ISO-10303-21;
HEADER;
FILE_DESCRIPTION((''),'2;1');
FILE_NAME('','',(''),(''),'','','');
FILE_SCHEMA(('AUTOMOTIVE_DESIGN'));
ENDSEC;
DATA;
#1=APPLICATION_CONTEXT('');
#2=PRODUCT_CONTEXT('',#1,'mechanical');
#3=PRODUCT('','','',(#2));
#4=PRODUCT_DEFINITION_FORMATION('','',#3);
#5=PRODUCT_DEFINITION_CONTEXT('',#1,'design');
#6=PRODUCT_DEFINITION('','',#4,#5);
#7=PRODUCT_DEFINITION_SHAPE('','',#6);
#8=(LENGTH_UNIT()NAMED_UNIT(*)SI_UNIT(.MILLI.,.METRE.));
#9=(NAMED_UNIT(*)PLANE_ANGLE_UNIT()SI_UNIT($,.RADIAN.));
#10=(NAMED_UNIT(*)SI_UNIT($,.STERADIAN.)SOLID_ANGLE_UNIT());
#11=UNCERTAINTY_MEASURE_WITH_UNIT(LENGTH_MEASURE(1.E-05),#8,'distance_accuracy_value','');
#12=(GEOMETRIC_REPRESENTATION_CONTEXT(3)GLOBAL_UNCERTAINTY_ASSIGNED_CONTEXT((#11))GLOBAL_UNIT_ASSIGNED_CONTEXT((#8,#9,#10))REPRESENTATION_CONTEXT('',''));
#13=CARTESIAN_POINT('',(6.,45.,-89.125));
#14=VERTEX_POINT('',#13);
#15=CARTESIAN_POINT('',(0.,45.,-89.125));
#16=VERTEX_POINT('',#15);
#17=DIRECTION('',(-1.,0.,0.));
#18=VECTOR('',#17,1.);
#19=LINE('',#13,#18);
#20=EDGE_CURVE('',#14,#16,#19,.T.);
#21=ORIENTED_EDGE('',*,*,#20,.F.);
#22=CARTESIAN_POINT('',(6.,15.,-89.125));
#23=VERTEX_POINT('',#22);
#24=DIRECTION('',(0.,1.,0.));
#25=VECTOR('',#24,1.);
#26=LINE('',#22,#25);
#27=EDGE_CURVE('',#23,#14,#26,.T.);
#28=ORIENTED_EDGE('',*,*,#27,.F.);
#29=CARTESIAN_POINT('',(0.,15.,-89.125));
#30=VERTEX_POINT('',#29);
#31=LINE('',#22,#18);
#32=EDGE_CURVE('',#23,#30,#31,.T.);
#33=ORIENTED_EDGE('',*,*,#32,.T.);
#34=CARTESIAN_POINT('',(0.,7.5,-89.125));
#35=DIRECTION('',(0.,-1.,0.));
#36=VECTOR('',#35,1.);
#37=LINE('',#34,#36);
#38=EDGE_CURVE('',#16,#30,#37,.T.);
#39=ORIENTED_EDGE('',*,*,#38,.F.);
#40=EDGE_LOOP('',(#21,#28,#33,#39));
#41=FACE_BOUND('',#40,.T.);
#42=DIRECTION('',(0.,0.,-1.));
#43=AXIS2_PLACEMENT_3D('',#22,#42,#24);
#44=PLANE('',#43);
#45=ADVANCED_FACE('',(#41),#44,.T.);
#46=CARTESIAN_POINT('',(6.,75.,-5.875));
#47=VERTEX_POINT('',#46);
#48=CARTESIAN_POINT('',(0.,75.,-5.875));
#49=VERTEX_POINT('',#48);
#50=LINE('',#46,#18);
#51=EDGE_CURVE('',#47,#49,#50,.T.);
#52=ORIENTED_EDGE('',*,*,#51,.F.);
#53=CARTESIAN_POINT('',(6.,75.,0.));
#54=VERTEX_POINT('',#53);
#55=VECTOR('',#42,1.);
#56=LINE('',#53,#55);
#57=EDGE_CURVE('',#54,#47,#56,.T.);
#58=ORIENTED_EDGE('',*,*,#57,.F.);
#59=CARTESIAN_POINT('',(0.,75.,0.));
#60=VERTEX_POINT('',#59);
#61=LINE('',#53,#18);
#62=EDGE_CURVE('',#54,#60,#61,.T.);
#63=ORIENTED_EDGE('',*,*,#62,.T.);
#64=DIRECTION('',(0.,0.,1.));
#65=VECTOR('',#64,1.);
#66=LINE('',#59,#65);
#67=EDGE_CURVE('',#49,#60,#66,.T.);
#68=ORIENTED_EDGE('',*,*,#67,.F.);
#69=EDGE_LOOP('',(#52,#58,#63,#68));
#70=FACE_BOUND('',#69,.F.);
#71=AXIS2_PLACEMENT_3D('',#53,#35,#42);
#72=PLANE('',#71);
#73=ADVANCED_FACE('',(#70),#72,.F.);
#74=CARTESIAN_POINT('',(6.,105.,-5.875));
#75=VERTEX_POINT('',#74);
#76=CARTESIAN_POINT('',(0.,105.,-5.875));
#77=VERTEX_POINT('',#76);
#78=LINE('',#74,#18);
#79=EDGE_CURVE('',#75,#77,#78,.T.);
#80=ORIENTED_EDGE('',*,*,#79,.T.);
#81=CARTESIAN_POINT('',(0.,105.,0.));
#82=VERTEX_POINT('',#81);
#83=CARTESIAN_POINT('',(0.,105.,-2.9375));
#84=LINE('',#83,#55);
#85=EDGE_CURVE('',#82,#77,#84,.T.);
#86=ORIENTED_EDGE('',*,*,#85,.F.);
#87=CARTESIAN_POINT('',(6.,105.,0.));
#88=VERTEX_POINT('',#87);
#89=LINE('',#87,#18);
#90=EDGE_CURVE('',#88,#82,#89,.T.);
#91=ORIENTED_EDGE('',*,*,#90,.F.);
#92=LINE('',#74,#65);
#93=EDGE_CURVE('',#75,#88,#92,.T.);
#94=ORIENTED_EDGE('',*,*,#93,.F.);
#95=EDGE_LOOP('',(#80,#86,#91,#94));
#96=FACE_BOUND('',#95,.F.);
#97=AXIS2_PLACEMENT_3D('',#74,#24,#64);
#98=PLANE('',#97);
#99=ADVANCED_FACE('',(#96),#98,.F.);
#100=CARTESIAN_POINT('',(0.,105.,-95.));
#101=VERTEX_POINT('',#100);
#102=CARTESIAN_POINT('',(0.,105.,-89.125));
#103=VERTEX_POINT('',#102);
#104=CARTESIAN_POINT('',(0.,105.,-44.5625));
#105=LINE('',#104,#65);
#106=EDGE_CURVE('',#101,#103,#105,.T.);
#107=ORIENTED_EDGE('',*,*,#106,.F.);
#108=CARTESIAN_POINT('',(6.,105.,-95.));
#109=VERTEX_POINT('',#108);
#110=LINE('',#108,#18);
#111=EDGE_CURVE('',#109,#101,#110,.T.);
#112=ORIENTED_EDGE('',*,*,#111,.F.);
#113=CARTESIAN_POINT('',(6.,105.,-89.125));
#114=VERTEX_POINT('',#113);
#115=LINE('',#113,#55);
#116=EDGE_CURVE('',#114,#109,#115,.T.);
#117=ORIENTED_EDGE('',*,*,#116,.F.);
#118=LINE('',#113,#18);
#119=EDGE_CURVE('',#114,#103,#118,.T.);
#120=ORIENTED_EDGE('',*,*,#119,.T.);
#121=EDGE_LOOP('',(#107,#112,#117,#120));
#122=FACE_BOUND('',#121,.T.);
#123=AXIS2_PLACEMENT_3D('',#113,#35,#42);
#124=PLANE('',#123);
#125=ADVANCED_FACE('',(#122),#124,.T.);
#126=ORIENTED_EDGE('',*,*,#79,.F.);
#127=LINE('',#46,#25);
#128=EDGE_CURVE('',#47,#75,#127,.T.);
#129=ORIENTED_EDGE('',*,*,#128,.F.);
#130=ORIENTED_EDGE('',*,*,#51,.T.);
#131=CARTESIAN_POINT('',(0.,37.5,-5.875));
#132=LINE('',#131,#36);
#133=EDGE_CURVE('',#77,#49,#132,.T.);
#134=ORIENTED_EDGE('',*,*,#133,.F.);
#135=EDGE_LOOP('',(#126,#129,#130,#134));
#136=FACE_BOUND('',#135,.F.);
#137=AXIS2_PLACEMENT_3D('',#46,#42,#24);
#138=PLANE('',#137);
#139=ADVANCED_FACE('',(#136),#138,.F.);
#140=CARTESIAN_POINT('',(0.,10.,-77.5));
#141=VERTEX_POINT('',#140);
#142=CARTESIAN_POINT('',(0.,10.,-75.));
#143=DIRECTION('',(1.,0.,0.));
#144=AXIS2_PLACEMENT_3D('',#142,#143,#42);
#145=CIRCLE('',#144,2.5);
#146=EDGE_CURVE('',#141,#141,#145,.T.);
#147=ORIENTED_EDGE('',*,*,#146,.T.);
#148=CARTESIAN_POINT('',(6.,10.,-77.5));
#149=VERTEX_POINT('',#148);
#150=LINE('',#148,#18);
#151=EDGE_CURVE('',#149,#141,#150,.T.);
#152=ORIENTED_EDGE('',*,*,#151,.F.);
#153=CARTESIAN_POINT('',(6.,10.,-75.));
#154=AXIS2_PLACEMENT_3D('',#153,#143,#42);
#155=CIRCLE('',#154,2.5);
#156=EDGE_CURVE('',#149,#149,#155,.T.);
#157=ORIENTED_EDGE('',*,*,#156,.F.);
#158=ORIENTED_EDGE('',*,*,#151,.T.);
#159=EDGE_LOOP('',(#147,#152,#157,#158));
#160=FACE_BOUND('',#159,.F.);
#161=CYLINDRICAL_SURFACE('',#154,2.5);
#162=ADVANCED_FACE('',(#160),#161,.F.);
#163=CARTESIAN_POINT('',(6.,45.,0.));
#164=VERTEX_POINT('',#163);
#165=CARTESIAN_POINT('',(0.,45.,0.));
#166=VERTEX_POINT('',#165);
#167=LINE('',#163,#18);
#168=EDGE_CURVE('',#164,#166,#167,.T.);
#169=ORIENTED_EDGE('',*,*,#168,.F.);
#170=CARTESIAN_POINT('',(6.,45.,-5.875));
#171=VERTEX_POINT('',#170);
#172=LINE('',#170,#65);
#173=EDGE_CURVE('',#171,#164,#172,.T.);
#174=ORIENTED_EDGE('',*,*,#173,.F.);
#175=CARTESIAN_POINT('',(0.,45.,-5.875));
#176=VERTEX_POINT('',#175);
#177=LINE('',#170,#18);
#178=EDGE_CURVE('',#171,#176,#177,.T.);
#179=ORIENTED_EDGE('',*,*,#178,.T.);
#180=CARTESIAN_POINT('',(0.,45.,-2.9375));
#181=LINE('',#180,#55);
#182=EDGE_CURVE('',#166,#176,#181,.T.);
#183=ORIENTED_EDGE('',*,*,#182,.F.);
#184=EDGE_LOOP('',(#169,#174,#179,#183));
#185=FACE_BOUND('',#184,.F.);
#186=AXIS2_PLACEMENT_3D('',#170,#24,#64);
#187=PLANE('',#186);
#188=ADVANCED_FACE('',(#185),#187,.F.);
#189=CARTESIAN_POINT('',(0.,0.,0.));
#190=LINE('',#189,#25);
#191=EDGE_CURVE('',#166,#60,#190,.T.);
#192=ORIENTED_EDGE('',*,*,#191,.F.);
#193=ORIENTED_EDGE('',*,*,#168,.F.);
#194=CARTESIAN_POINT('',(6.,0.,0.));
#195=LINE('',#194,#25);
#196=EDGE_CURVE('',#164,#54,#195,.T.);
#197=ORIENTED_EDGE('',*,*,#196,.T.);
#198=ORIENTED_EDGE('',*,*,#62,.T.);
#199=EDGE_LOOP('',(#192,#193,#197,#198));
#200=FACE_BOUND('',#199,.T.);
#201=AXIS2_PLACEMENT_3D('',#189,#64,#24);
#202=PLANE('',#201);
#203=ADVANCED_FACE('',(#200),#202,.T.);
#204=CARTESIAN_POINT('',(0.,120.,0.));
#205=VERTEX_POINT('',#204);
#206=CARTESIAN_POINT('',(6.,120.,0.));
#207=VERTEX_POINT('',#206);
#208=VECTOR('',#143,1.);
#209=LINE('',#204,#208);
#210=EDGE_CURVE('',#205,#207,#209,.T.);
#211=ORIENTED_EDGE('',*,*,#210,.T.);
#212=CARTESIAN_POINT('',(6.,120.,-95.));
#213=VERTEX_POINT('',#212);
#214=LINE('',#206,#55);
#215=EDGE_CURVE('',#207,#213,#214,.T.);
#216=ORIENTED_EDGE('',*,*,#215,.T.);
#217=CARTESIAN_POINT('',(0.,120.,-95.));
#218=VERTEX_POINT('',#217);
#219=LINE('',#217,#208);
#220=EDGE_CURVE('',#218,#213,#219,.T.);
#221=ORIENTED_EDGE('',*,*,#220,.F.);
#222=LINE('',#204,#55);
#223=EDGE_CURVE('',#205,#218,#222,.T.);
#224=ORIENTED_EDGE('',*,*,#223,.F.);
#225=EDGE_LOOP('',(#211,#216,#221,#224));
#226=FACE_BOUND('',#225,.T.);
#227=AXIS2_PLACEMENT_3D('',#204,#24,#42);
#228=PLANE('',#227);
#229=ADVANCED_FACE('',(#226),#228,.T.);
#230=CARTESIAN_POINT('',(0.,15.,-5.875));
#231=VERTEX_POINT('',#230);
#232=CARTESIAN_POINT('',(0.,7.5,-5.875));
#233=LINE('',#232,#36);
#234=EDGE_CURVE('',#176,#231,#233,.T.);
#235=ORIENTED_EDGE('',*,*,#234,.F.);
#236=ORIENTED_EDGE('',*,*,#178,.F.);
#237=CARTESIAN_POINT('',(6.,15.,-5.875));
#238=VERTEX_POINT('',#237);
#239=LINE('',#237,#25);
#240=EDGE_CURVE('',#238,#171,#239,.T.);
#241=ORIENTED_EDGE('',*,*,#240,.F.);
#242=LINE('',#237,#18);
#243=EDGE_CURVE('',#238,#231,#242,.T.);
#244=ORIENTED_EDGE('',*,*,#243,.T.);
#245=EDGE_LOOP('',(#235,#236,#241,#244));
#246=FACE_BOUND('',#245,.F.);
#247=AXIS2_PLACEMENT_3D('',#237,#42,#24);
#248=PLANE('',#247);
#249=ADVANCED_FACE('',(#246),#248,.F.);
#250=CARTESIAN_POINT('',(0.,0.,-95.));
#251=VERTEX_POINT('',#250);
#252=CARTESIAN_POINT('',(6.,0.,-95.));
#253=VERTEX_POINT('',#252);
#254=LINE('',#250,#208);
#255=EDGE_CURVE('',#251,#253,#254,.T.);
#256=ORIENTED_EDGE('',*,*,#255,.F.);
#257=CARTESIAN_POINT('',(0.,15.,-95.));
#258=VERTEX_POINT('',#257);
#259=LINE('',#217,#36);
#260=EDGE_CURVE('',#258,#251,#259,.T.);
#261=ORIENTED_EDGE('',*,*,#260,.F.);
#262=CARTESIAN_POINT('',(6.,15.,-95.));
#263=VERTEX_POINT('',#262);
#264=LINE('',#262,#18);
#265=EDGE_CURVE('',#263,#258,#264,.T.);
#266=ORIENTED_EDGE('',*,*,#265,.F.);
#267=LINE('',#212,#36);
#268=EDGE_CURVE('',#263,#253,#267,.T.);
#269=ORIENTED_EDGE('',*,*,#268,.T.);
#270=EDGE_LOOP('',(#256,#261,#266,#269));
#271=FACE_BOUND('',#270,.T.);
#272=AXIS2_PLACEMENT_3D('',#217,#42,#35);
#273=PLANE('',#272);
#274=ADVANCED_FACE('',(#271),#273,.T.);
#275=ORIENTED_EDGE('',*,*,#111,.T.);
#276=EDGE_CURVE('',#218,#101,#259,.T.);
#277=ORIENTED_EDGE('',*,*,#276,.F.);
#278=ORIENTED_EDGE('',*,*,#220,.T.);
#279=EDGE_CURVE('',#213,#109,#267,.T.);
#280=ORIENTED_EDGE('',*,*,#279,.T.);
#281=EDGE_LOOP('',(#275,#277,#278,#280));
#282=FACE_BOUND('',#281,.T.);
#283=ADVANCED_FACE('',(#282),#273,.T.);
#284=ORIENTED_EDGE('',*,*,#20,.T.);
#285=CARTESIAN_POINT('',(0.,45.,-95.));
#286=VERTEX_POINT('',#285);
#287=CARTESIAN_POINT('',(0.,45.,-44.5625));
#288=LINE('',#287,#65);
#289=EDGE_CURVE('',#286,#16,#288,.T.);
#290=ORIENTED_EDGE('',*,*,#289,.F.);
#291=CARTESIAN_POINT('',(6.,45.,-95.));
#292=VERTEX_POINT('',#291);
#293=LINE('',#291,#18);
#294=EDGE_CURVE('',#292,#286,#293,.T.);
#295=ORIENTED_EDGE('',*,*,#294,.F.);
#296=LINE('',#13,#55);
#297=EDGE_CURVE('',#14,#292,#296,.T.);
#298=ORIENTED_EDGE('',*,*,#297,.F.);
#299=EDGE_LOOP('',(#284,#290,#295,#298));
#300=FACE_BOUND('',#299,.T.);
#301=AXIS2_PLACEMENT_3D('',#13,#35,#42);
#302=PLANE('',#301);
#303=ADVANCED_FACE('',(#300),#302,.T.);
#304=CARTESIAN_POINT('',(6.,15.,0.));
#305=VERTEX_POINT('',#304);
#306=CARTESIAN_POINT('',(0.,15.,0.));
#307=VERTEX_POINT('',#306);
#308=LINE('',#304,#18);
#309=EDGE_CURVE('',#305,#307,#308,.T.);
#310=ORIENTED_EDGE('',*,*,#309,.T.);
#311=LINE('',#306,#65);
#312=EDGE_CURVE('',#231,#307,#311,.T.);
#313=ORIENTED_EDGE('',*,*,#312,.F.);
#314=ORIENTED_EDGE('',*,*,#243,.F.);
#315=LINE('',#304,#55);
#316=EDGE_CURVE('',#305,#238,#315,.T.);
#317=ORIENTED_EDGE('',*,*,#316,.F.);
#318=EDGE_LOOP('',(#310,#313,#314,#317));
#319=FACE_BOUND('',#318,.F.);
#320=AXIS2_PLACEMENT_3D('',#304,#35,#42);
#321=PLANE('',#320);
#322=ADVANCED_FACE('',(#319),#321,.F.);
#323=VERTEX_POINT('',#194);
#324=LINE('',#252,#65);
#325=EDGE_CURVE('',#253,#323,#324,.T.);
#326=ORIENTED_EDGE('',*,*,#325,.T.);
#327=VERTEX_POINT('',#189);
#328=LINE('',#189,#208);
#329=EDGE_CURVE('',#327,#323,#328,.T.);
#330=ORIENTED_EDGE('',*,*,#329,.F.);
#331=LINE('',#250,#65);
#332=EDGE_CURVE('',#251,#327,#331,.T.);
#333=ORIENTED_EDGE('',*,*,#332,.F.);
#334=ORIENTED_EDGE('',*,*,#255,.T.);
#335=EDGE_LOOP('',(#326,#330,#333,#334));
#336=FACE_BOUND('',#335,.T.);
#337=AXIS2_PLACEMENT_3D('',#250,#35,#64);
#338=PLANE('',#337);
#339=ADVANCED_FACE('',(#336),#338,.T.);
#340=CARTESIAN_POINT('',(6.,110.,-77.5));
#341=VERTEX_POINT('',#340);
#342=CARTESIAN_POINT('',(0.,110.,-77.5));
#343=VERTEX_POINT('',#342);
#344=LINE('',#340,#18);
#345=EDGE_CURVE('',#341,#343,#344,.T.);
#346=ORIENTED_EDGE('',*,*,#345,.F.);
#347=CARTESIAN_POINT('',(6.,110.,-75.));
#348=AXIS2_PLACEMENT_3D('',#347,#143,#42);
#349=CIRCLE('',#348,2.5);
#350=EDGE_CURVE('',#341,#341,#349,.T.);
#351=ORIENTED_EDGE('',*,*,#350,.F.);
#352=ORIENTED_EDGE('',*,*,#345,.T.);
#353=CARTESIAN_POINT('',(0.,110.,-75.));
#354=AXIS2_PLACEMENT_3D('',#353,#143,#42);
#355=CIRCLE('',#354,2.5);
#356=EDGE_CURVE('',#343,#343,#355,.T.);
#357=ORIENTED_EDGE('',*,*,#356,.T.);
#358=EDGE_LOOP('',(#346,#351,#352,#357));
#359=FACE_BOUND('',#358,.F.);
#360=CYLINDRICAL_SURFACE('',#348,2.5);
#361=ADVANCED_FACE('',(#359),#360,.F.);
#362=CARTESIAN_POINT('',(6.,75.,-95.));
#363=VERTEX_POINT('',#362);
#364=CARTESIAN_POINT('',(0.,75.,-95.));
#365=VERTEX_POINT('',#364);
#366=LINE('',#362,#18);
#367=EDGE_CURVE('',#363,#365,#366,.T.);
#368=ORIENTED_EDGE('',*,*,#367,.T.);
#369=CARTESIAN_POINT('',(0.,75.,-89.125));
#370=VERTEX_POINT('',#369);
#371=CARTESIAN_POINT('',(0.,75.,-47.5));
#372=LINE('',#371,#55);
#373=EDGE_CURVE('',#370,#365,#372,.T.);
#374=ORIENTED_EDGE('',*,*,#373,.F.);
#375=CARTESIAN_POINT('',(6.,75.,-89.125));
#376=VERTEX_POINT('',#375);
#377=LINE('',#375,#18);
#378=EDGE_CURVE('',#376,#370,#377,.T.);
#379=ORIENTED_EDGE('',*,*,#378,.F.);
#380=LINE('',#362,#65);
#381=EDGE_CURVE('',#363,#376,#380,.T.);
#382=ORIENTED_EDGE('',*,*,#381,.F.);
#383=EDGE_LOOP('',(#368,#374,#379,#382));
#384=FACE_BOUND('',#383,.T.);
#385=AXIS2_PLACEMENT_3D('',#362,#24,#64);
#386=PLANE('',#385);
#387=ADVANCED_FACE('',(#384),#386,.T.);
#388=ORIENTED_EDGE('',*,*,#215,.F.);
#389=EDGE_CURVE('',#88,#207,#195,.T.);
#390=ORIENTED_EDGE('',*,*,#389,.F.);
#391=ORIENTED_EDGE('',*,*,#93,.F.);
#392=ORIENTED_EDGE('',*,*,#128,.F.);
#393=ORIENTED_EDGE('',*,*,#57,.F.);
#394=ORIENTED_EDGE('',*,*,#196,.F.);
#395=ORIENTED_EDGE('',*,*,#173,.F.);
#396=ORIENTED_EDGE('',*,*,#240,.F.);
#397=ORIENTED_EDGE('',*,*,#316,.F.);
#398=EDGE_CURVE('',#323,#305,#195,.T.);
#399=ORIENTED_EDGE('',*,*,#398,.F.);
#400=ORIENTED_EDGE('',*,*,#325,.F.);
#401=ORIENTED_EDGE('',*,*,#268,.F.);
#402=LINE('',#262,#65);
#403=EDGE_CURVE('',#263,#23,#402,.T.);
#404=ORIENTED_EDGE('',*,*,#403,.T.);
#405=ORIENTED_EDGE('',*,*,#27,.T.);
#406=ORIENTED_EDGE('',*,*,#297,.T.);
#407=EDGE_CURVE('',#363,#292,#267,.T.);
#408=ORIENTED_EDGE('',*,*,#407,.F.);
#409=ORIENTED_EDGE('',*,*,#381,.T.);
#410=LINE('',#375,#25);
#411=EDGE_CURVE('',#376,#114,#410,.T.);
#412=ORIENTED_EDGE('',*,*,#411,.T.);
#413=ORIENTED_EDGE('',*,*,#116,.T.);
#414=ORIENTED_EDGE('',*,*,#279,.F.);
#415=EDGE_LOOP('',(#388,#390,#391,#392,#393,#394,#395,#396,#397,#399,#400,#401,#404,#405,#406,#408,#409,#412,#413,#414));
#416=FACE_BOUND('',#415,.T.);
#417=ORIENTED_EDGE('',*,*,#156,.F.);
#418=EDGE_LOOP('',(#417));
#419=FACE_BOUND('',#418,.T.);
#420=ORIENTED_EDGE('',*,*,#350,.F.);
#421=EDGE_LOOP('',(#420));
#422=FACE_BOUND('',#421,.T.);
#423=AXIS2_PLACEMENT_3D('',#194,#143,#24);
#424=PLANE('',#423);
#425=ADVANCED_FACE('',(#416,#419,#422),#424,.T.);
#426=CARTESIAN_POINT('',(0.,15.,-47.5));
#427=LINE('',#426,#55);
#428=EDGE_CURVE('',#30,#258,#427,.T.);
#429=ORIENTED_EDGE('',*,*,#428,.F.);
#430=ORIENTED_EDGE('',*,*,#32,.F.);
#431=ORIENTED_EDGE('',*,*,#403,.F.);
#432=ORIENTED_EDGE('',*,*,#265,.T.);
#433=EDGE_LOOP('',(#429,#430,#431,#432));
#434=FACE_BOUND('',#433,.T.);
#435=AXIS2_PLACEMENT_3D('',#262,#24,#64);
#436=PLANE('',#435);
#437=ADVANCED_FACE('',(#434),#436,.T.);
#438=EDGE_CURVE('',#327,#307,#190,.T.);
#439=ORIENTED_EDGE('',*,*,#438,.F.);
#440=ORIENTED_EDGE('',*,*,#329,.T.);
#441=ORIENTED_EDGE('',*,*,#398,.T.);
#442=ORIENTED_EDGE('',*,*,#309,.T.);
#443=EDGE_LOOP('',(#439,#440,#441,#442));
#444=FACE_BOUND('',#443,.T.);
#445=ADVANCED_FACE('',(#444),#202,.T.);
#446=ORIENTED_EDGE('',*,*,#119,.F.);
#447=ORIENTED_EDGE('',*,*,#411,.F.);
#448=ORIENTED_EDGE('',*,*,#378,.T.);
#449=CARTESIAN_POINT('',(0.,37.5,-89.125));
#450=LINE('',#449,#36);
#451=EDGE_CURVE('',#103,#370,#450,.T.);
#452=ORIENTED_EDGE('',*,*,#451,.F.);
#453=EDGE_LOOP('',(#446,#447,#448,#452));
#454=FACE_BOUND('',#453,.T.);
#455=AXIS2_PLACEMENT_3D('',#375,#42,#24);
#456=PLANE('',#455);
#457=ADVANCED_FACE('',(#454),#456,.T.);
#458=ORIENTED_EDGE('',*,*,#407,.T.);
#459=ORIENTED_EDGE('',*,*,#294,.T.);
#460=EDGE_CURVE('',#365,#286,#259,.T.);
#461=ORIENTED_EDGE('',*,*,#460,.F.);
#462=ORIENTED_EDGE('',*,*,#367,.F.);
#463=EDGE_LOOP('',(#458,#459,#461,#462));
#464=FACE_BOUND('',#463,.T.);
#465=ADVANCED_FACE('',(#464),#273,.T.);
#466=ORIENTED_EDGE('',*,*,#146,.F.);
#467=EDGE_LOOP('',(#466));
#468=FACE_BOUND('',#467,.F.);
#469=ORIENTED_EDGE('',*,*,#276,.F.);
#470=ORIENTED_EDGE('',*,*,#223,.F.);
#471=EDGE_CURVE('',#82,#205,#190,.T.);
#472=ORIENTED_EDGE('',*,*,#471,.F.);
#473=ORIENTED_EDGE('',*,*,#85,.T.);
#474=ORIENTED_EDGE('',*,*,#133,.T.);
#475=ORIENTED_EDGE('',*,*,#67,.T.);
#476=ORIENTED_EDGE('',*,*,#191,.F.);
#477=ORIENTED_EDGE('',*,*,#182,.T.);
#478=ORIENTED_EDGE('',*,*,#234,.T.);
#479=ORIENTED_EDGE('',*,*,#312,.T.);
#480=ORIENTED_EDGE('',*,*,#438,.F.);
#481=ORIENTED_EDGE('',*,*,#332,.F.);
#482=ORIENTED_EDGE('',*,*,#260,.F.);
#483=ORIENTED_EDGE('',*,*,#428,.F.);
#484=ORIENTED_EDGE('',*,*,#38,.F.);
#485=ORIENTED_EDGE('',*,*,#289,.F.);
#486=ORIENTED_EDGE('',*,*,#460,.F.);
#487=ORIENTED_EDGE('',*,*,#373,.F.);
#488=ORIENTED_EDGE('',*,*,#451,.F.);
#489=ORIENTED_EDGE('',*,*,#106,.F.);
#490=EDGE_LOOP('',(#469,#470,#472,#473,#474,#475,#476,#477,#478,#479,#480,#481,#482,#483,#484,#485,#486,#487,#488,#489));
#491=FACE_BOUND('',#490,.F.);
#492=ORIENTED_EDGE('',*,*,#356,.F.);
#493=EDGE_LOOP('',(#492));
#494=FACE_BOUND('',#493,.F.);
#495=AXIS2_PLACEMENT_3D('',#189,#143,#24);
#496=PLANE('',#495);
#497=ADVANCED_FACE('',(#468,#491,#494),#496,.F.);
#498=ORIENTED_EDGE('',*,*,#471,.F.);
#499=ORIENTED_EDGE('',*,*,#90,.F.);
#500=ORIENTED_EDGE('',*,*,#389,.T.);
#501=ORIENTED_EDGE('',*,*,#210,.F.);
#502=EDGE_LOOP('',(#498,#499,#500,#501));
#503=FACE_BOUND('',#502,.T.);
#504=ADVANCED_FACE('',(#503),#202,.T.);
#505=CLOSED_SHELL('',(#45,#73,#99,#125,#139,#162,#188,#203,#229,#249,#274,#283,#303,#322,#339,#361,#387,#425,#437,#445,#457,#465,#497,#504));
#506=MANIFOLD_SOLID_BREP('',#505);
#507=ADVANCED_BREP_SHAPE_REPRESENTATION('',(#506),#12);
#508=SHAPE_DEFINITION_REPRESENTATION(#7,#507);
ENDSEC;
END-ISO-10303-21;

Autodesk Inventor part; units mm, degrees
ref_plane "YZ Plane" through (0, 0, 0) normal (1, 0, 0) x (0, 1, 0)
ref_plane "XZ Plane" through (0, 0, 0) normal (0, 1, 0) x (-1, 0, 0)
ref_plane "XY Plane" through (0, 0, 0) normal (0, 0, 1) x (1, 0, 0)
sketch "Sketch1" plane through (0, 0, 0) normal (1, 0, 0) x (0, 1, 0)
  line L0 (0, 0) -> (120, 0)
  line L1 (120, 0) -> (120, -95)
  line L2 (120, -95) -> (0, -95)
  line L3 (0, -95) -> (0, 0)
  dimension "d0" = 120
  dimension "d1" = 95
extrude "Extrusion1" add sketch "Sketch1" along normal blind 6
sketch "Sketch2" plane through (6, 0, 0) normal (1, 0, 0) x (0, 0, -1)
  line L0 (0, 120) -> (0, 0) projected
  line L1 (0, 0) -> (95, 0) projected
  line L2 (95, 0) -> (95, 120) projected
  line L3 (95, 120) -> (0, 120) projected
  line L4 (0, 120) -> (0, 0) projected
  line L5 (0, 15) -> (5.875, 15)
  line L6 (5.875, 15) -> (5.875, 45)
  line L7 (5.875, 45) -> (0, 45)
  line L8 (0, 45) -> (0, 15)
  line L9 (0, 75) -> (5.875, 75)
  line L10 (5.875, 75) -> (5.875, 105)
  line L11 (5.875, 105) -> (0, 105)
  line L12 (0, 105) -> (0, 75)
  line L13 (95, 15) -> (89.125, 15)
  line L14 (89.125, 15) -> (89.125, 45)
  line L15 (89.125, 45) -> (95, 45)
  line L16 (95, 45) -> (95, 15)
  line L17 (95, 75) -> (89.125, 75)
  line L18 (89.125, 75) -> (89.125, 105)
  line L19 (89.125, 105) -> (95, 105)
  line L20 (95, 105) -> (95, 75)
  line L21 (-12.0657, 60) -> (104.2665, 60)
  line L22 (95, 120) -> (0, 120) projected
  dimension "d5" = 5.875
  dimension "d6" = 5.875
  dimension "d8" = 30
  dimension "d9" = 30
  dimension "d22" = 60
  dimension "d23" = 15
  dimension "d24" = 15
extrude "Extrusion2" cut sketch "Sketch2" against normal up to next contours L11 L10 L9 L0 | L2 L17 L18 L19 | L7 L6 L5 L0 | L2 L13 L14 L15
sketch "Sketch3" plane through (6, 0, 0) normal (1, 0, 0) x (0, 0, -1)
  circle A0 centre (75, 10) radius 2.5
  circle A1 centre (75, 110) radius 2.5
  line L0 (95, 105) -> (95, 120) projected
  line L1 (95, 120) -> (0, 120) projected
  line L2 (95, 0) -> (95, 15) projected
  line L3 (0, 0) -> (95, 0) projected
  dimension "d13" = 20
  dimension "d14" = 10
  dimension "d15" = 5
  dimension "d17" = 10
  dimension "d18" = 20
  dimension "d19" = 5
extrude "Extrusion3" cut sketch "Sketch3" against normal up to next
properties part number "Side"
